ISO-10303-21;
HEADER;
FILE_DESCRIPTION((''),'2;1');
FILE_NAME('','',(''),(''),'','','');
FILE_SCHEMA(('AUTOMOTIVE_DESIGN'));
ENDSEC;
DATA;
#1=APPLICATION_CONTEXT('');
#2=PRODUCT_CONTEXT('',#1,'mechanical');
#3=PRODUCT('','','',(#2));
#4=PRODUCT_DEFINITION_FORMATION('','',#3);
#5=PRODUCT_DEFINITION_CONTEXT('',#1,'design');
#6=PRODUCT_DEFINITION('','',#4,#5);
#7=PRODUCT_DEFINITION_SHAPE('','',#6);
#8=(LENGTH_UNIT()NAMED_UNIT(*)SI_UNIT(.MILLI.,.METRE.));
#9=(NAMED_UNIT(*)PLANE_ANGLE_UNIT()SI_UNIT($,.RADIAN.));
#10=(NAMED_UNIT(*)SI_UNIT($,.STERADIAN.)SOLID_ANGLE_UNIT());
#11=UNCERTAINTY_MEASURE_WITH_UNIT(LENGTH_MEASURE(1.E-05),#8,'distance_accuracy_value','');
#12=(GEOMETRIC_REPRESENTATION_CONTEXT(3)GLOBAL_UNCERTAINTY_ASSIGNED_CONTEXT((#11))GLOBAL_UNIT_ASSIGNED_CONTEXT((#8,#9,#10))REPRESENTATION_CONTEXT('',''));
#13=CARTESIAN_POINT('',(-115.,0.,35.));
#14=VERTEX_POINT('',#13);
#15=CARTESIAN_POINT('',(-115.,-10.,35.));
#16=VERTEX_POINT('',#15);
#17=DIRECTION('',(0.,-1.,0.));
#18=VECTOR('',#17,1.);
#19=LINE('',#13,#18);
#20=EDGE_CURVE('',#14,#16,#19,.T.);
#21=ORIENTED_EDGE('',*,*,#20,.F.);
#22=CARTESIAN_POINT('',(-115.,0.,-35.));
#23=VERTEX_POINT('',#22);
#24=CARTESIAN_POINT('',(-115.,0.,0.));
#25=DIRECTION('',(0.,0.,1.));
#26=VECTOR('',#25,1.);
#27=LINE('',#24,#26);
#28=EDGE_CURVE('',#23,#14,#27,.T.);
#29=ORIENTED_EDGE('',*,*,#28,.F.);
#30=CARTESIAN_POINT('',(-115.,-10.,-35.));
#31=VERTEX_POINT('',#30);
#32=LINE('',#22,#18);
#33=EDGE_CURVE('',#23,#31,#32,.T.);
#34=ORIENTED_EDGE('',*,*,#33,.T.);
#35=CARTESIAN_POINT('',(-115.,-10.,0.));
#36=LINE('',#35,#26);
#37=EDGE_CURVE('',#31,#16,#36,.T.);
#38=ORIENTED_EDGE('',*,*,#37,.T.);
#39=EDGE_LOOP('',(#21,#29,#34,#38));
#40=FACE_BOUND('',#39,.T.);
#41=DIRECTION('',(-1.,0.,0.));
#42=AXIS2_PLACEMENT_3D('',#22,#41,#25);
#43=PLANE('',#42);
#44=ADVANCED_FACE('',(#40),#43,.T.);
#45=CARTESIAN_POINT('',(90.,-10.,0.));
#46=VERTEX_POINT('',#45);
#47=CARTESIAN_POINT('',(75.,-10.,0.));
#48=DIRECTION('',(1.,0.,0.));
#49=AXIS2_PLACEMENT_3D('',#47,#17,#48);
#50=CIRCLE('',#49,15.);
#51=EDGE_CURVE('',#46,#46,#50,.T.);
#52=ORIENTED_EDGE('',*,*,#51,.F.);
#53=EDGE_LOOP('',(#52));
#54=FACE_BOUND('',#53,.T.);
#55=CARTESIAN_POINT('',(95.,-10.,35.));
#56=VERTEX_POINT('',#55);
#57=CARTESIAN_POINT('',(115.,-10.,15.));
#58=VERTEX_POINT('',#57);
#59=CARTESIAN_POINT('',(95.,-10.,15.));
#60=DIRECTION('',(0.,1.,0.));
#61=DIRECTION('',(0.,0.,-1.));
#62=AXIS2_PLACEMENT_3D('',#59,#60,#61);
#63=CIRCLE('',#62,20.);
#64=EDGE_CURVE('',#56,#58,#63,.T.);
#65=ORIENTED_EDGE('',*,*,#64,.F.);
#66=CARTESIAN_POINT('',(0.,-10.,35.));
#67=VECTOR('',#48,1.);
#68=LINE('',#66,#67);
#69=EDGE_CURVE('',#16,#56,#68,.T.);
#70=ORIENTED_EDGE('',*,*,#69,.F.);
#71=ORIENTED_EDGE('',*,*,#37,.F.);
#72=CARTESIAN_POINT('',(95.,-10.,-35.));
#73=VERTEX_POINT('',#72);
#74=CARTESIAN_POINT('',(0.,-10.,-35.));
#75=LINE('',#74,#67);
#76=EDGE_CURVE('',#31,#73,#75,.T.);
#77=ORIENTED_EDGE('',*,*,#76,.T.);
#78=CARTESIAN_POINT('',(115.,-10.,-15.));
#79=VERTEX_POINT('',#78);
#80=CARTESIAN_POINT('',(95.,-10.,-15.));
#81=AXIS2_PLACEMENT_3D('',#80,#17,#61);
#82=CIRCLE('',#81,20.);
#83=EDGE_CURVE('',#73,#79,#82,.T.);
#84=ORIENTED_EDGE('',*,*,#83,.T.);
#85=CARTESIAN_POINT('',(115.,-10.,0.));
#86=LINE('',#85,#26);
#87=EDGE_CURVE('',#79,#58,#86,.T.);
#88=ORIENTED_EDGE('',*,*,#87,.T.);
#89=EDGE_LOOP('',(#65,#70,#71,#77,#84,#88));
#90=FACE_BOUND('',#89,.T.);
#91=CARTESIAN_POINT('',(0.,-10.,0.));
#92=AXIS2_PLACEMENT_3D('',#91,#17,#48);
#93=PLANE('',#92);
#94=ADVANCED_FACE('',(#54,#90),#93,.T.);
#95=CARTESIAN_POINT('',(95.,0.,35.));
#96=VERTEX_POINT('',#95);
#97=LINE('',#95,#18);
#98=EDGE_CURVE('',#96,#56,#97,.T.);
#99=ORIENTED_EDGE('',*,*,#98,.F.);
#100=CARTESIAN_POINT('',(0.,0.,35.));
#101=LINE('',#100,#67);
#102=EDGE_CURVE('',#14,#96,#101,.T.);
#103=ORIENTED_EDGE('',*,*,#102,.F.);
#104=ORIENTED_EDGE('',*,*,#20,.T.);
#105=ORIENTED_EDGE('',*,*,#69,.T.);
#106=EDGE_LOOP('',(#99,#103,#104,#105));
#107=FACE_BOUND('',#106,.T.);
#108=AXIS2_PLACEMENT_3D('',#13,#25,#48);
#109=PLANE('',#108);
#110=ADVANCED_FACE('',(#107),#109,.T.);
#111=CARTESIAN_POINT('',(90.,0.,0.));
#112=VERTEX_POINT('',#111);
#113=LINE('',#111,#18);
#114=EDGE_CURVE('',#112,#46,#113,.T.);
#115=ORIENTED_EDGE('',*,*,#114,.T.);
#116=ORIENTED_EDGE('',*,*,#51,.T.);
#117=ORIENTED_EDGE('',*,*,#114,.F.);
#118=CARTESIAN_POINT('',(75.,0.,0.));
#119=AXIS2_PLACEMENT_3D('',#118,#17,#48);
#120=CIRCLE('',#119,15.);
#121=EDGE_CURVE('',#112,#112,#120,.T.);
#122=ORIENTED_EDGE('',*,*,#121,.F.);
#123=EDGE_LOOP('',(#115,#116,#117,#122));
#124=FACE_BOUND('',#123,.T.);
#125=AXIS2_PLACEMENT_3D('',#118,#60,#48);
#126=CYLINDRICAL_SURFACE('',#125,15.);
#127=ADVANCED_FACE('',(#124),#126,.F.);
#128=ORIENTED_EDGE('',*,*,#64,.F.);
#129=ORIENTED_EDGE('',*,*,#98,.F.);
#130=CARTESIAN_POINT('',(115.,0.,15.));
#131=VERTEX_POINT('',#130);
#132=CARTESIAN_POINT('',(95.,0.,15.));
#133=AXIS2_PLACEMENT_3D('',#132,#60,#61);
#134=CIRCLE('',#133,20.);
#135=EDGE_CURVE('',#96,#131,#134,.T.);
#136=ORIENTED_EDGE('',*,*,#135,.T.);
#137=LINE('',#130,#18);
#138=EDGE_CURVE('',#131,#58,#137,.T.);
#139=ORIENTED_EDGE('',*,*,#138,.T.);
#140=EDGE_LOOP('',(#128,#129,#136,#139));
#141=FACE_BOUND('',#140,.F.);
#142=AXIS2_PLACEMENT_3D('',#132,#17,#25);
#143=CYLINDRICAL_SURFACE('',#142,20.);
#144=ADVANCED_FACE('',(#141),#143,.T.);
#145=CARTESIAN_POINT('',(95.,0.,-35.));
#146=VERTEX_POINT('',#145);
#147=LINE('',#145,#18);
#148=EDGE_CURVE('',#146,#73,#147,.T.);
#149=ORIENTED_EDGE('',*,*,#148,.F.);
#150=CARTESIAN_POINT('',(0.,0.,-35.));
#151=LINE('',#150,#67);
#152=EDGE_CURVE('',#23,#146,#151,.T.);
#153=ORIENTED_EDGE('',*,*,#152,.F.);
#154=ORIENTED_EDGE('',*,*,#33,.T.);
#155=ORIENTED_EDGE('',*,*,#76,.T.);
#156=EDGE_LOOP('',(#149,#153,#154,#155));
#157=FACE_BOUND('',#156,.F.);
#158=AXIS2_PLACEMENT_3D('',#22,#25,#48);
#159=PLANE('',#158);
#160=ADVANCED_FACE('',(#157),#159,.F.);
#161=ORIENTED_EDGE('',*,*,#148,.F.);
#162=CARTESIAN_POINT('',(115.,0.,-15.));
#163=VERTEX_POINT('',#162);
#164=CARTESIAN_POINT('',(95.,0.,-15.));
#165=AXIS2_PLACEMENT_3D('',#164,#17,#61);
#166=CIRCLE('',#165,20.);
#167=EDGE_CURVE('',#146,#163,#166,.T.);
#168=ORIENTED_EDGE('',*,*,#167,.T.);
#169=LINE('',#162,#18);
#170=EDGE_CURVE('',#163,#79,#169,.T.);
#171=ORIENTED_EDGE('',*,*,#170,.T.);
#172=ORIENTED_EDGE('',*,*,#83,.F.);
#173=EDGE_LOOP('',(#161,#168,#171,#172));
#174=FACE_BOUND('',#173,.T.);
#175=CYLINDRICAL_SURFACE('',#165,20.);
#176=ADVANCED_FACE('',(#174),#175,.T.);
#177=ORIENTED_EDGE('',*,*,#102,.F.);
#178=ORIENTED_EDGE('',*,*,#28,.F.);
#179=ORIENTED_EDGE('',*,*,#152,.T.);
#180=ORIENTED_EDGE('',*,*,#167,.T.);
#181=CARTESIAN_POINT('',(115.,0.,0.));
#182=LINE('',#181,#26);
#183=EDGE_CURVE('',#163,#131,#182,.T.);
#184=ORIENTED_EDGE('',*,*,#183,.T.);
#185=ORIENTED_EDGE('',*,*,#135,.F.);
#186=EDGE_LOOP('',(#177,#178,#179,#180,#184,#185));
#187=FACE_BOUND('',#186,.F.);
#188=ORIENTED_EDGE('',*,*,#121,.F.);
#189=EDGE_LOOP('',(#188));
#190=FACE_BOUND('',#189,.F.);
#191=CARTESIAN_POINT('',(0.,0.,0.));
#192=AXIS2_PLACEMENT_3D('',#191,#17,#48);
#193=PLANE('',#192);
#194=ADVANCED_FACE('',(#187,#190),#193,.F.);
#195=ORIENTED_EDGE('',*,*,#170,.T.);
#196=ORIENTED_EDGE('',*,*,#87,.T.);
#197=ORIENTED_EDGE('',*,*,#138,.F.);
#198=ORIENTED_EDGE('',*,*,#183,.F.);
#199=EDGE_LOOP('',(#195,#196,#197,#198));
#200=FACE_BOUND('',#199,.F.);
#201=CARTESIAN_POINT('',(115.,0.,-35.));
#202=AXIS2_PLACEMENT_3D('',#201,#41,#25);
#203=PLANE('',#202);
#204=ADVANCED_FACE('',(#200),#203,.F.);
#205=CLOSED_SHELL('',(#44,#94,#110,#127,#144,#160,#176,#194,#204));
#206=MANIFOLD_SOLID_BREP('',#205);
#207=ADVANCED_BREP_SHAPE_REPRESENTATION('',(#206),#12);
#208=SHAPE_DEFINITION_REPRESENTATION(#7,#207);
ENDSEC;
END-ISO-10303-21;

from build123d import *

# Parameters (mm, degrees)
F0_W     = 230
F0_H     = 70
F0_R     = 15
F1_DEPTH = 10
F2_R     = 20


with BuildPart() as f1:
    # F0 (on Front) → F1 (new body)
    with BuildSketch(Plane.XZ):
        Rectangle(F0_W, F0_H)
        with Locations((75, 0)):
            Circle(F0_R, mode=Mode.SUBTRACT)
    extrude(amount=F1_DEPTH)

    # F2
    f2_edges = [f1.edges().sort_by_distance(p)[0] for p in [
        (115, -5, 35),
        (115, -5, -35),
    ]]
    fillet(f2_edges, radius=F2_R)


solid = f1.part
